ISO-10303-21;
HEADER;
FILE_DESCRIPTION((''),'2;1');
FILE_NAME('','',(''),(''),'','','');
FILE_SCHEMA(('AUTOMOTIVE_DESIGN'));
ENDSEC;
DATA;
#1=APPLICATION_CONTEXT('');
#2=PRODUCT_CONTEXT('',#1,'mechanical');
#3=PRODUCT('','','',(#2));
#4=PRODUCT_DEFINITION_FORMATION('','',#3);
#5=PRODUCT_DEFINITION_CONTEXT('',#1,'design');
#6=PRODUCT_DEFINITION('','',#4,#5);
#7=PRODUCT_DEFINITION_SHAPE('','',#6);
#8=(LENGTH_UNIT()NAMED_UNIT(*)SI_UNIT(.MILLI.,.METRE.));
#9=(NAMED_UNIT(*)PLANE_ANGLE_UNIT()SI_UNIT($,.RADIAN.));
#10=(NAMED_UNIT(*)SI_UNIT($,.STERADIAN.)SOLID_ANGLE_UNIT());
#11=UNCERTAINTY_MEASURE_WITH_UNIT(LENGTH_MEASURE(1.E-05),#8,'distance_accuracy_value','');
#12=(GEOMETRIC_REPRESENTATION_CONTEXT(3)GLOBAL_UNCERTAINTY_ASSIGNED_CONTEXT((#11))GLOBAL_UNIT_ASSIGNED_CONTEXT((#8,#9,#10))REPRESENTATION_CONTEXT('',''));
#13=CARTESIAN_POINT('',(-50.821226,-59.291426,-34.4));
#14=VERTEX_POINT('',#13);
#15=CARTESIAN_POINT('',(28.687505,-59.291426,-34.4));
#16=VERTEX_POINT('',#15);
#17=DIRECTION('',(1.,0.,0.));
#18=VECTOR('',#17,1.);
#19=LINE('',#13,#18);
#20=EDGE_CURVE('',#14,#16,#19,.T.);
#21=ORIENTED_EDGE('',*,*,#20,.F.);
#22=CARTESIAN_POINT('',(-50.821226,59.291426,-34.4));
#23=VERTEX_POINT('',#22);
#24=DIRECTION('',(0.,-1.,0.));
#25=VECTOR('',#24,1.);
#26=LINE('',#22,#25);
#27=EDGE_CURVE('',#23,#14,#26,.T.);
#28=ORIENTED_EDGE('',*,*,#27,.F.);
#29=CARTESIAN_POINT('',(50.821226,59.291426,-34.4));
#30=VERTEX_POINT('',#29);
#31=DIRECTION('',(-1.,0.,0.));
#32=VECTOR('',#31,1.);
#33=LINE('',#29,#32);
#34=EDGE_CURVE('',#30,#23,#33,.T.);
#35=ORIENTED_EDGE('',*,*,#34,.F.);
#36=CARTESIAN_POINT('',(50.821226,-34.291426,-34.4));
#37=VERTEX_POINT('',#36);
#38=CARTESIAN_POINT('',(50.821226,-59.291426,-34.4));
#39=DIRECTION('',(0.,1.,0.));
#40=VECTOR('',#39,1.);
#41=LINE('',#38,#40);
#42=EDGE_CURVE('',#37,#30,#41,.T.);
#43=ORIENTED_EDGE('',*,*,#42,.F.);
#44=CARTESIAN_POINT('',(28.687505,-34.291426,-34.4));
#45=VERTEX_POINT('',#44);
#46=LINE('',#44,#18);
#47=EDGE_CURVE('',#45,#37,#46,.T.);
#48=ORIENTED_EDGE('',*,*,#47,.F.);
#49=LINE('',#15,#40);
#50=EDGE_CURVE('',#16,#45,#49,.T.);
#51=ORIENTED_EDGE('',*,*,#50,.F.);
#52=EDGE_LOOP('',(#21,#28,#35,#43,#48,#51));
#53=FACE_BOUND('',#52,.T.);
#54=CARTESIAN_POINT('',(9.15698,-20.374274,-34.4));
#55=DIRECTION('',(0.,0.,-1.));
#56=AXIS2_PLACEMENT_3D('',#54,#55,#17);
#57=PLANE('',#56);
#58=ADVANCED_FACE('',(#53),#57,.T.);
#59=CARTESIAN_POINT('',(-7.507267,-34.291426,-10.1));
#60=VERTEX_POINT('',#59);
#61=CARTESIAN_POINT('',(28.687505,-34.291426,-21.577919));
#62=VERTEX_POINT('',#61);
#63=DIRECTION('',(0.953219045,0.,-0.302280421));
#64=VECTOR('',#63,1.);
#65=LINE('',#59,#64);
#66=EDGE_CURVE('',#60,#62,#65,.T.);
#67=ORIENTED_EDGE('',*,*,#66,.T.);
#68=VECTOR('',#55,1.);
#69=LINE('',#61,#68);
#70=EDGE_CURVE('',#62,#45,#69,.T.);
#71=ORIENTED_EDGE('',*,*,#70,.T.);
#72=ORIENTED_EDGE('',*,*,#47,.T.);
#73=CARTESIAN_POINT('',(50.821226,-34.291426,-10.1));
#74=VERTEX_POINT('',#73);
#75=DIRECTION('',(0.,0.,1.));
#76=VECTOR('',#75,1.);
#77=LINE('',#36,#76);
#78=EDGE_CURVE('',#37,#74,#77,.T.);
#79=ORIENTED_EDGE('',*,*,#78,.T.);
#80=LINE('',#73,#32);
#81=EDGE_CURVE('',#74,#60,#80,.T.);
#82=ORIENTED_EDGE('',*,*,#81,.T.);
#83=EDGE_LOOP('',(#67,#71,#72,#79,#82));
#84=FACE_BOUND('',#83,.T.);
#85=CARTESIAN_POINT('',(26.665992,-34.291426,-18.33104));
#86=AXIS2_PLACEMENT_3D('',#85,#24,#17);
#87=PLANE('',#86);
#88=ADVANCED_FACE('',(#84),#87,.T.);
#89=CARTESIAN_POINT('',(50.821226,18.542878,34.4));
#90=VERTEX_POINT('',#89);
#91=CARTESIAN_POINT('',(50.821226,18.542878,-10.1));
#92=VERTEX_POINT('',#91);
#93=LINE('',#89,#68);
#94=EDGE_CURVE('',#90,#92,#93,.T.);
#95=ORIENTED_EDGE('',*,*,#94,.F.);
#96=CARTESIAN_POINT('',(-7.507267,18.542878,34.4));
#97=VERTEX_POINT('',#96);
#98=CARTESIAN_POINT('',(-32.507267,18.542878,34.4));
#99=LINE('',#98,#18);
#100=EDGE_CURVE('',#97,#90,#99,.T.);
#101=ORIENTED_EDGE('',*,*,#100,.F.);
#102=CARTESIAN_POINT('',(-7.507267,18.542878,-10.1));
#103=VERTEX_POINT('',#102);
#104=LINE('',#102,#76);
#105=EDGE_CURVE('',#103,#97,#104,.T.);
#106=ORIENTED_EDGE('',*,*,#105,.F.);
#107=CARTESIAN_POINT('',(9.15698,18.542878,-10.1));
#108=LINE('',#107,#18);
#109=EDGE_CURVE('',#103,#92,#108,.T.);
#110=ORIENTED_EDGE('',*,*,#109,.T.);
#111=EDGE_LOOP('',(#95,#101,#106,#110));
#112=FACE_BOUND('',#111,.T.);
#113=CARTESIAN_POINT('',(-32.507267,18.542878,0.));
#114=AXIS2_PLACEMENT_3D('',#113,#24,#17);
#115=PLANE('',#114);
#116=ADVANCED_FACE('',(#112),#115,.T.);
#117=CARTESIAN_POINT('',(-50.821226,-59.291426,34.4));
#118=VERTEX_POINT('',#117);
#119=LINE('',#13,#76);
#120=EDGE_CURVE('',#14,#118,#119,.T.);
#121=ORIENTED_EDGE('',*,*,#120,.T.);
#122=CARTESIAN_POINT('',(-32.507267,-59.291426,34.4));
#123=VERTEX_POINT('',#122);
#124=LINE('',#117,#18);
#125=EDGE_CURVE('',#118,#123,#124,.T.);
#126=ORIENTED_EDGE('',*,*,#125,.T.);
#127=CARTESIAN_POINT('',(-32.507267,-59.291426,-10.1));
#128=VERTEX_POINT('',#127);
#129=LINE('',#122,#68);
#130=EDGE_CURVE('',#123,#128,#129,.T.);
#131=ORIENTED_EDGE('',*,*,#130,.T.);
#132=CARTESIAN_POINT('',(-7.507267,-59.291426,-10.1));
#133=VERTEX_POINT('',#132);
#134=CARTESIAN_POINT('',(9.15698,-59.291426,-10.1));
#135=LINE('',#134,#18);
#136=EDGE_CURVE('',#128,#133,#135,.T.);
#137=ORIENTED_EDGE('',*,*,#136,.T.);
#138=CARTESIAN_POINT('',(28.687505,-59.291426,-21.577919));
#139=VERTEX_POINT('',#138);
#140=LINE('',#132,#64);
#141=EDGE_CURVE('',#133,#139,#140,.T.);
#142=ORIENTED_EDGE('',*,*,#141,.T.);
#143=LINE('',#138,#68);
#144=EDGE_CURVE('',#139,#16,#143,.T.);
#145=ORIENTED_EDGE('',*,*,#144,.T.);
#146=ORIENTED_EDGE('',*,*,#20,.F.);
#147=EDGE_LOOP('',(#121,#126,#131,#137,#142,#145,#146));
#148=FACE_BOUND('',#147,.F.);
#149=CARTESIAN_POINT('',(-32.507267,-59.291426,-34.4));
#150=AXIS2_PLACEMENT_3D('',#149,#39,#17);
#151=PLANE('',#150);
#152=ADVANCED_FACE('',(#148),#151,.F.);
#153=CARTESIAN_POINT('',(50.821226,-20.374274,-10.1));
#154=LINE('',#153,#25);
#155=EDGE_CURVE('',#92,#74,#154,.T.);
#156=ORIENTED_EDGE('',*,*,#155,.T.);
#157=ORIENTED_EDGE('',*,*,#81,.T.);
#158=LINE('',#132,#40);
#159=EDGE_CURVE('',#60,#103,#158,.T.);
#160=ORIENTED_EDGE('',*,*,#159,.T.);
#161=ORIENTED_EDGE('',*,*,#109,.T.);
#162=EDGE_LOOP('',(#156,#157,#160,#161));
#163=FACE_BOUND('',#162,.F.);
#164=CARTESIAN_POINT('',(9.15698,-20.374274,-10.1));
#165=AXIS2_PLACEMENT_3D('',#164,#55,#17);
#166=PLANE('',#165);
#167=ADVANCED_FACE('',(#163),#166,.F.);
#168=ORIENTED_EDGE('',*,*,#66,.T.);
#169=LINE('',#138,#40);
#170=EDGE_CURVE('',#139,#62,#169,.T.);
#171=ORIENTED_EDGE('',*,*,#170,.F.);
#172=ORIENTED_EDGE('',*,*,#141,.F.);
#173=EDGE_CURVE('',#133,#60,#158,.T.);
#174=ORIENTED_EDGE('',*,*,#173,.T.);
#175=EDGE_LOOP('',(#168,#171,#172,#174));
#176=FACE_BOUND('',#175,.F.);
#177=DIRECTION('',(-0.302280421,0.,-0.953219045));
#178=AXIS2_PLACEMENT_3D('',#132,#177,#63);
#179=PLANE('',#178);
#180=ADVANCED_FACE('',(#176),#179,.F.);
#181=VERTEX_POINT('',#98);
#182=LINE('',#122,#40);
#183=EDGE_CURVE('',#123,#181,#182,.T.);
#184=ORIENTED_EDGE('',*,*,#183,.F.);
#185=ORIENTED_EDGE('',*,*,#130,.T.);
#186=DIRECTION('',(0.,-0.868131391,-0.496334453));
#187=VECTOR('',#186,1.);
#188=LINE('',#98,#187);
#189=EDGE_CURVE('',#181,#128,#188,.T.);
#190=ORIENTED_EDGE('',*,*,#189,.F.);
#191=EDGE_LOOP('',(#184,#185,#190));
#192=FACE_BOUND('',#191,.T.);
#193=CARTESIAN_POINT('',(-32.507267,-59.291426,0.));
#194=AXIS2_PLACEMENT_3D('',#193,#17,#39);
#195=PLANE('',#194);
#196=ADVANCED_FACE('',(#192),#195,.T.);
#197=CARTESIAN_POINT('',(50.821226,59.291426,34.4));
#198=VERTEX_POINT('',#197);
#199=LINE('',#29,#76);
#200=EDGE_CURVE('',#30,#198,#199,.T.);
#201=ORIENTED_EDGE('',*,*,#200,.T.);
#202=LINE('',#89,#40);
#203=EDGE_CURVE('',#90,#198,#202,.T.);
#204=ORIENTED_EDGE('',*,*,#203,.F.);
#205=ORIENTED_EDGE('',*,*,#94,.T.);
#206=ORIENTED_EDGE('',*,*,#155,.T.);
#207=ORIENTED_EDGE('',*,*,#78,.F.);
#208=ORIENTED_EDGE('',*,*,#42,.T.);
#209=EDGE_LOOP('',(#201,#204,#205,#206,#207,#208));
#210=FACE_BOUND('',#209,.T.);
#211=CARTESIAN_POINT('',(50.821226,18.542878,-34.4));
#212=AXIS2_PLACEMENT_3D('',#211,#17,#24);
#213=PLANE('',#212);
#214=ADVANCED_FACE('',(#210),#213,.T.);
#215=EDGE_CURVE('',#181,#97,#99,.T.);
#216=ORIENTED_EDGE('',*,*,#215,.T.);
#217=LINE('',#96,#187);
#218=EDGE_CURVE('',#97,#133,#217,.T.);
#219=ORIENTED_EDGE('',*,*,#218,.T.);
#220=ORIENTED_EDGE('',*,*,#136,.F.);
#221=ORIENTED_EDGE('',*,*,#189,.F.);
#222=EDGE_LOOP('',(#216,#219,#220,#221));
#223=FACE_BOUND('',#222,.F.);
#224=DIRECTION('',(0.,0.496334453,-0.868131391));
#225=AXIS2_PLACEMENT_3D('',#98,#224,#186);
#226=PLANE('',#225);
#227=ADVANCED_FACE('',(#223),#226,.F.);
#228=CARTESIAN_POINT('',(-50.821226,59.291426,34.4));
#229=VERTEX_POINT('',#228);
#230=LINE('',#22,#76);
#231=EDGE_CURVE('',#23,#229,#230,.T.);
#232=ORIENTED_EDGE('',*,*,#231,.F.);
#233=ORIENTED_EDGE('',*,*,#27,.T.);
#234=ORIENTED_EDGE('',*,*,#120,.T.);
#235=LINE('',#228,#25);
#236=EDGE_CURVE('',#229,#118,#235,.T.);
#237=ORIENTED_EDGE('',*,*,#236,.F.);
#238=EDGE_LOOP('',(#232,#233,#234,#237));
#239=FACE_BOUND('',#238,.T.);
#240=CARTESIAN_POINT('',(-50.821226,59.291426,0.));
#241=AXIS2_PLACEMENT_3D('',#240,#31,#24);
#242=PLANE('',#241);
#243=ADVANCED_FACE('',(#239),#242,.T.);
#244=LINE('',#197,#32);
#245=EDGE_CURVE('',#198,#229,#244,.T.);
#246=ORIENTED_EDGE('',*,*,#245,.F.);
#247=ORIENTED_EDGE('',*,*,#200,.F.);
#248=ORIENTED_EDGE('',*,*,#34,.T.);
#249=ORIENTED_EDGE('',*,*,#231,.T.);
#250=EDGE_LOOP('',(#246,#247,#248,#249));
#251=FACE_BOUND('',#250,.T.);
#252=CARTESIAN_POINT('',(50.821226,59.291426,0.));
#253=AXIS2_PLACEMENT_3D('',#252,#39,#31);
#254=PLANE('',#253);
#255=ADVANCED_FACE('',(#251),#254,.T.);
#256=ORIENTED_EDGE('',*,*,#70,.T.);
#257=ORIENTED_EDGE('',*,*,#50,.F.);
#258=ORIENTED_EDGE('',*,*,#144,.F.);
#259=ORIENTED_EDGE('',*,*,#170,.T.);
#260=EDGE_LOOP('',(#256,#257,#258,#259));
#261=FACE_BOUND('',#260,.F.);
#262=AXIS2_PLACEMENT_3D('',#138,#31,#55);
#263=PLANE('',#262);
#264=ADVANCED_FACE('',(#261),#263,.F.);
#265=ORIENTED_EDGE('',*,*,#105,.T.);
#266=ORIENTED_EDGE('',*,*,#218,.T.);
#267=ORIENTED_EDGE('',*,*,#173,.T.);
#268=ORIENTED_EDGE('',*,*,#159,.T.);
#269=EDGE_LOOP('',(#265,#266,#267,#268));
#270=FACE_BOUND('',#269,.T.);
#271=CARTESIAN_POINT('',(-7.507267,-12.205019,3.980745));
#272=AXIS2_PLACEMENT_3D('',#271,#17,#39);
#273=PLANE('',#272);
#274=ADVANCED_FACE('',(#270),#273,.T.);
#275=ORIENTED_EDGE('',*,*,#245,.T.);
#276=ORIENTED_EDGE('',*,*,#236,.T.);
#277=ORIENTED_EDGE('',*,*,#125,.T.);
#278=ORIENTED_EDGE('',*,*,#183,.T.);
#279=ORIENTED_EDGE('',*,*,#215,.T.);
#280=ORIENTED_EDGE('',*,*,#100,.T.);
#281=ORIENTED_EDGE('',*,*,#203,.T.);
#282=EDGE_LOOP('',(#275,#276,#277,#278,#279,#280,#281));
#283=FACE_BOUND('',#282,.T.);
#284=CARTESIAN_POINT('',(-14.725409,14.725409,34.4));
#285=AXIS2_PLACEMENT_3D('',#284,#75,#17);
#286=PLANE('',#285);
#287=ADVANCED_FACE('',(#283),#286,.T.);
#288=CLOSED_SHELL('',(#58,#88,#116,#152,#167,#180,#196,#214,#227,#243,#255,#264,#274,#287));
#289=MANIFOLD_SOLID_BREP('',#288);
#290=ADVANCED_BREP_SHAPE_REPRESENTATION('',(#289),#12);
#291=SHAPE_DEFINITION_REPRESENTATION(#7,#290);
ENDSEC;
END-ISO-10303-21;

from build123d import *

# Parameters (mm, degrees)
F1_DEPTH = 34.4
F2_W     = 83.3284929395
F2_H     = 77.8343044221
F3_DEPTH = 24.3
F5_DEPTH = 25
F7_DEPTH = 25


with BuildPart() as f1:
    # F0 (on Top) → F1 (new body, symmetric)
    with BuildSketch(Plane.XY):
        Polygon((50.8212260902, 18.5428783298), (50.8212260902, 59.2914260924), (-50.8212260902, 59.2914260924), (-50.8212260902, -59.2914260924), (-32.5072668493, -59.2914260924), (-32.5072668493, 18.5428783298), align=None)
    extrude(amount=F1_DEPTH, both=True)

    # F2 (on face) → F3 (join)
    with BuildSketch(Plane(origin=(0, 0, -34.4), x_dir=(1, 0, 0), z_dir=(0, 0, -1))):
        with Locations((9.1569796205, 20.3742738813)):
            Rectangle(F2_W, F2_H)
    extrude(amount=-F3_DEPTH)

    # F4 (on face) → F5 (join)
    with BuildSketch(Plane.YZ.offset(-32.5072668493)):
        Polygon((18.5428783298, 34.4), (-59.2914260924, -10.1), (18.5428783298, -10.1), align=None)
    extrude(amount=F5_DEPTH)

    # F6 (on face) → F7 (cut)
    with BuildSketch(Plane.XZ.offset(59.2914260924)):
        Polygon((50.8212260902, -10.1), (-7.5072668493, -10.1), (28.6875050515, -21.577918902), (28.6875050515, -34.4), (50.8212260902, -34.4), align=None)
    extrude(amount=-F7_DEPTH, mode=Mode.SUBTRACT)


solid = f1.part
